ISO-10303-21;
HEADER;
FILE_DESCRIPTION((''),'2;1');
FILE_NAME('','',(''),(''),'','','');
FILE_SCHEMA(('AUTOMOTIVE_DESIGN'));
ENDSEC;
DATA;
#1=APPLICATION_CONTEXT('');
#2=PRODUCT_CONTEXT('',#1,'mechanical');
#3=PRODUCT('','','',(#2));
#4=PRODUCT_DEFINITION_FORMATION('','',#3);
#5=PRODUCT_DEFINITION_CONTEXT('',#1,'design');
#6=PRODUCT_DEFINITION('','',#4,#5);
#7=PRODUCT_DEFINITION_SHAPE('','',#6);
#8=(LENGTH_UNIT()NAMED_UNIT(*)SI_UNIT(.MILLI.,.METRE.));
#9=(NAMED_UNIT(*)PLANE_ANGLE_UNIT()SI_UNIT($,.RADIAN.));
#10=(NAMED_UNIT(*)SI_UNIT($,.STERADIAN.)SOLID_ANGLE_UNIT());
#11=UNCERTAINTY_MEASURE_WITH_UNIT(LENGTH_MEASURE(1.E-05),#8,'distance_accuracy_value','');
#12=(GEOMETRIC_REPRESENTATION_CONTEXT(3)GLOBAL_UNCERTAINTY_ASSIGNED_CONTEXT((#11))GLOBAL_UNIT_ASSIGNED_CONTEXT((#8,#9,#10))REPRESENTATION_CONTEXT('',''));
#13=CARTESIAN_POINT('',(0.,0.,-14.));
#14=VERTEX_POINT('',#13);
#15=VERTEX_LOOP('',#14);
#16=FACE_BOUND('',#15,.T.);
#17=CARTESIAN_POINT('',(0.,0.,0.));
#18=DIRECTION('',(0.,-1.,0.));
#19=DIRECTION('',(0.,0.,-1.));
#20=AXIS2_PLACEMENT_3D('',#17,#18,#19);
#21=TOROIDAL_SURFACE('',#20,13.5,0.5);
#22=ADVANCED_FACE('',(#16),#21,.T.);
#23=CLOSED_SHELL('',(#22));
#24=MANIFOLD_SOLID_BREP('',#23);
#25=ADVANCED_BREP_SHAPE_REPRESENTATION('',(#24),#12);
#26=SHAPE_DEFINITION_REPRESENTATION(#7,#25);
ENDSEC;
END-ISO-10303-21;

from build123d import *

# Parameters (mm, degrees)
SKETCH1_R = 0.5


with BuildPart() as part:
    # Sketch1 → Revolve1 (revolve)
    with BuildSketch(Plane.XY, mode=Mode.PRIVATE) as revolve1_sk:
        with Locations((13.5, 0)):
            Circle(SKETCH1_R)
    revolve(revolve1_sk.sketch.rotate(Axis((0, 0, 0), (0, 1, 0)), 90), axis=Axis((0, 0, 0), (0, 1, 0)))


solid = part.part
